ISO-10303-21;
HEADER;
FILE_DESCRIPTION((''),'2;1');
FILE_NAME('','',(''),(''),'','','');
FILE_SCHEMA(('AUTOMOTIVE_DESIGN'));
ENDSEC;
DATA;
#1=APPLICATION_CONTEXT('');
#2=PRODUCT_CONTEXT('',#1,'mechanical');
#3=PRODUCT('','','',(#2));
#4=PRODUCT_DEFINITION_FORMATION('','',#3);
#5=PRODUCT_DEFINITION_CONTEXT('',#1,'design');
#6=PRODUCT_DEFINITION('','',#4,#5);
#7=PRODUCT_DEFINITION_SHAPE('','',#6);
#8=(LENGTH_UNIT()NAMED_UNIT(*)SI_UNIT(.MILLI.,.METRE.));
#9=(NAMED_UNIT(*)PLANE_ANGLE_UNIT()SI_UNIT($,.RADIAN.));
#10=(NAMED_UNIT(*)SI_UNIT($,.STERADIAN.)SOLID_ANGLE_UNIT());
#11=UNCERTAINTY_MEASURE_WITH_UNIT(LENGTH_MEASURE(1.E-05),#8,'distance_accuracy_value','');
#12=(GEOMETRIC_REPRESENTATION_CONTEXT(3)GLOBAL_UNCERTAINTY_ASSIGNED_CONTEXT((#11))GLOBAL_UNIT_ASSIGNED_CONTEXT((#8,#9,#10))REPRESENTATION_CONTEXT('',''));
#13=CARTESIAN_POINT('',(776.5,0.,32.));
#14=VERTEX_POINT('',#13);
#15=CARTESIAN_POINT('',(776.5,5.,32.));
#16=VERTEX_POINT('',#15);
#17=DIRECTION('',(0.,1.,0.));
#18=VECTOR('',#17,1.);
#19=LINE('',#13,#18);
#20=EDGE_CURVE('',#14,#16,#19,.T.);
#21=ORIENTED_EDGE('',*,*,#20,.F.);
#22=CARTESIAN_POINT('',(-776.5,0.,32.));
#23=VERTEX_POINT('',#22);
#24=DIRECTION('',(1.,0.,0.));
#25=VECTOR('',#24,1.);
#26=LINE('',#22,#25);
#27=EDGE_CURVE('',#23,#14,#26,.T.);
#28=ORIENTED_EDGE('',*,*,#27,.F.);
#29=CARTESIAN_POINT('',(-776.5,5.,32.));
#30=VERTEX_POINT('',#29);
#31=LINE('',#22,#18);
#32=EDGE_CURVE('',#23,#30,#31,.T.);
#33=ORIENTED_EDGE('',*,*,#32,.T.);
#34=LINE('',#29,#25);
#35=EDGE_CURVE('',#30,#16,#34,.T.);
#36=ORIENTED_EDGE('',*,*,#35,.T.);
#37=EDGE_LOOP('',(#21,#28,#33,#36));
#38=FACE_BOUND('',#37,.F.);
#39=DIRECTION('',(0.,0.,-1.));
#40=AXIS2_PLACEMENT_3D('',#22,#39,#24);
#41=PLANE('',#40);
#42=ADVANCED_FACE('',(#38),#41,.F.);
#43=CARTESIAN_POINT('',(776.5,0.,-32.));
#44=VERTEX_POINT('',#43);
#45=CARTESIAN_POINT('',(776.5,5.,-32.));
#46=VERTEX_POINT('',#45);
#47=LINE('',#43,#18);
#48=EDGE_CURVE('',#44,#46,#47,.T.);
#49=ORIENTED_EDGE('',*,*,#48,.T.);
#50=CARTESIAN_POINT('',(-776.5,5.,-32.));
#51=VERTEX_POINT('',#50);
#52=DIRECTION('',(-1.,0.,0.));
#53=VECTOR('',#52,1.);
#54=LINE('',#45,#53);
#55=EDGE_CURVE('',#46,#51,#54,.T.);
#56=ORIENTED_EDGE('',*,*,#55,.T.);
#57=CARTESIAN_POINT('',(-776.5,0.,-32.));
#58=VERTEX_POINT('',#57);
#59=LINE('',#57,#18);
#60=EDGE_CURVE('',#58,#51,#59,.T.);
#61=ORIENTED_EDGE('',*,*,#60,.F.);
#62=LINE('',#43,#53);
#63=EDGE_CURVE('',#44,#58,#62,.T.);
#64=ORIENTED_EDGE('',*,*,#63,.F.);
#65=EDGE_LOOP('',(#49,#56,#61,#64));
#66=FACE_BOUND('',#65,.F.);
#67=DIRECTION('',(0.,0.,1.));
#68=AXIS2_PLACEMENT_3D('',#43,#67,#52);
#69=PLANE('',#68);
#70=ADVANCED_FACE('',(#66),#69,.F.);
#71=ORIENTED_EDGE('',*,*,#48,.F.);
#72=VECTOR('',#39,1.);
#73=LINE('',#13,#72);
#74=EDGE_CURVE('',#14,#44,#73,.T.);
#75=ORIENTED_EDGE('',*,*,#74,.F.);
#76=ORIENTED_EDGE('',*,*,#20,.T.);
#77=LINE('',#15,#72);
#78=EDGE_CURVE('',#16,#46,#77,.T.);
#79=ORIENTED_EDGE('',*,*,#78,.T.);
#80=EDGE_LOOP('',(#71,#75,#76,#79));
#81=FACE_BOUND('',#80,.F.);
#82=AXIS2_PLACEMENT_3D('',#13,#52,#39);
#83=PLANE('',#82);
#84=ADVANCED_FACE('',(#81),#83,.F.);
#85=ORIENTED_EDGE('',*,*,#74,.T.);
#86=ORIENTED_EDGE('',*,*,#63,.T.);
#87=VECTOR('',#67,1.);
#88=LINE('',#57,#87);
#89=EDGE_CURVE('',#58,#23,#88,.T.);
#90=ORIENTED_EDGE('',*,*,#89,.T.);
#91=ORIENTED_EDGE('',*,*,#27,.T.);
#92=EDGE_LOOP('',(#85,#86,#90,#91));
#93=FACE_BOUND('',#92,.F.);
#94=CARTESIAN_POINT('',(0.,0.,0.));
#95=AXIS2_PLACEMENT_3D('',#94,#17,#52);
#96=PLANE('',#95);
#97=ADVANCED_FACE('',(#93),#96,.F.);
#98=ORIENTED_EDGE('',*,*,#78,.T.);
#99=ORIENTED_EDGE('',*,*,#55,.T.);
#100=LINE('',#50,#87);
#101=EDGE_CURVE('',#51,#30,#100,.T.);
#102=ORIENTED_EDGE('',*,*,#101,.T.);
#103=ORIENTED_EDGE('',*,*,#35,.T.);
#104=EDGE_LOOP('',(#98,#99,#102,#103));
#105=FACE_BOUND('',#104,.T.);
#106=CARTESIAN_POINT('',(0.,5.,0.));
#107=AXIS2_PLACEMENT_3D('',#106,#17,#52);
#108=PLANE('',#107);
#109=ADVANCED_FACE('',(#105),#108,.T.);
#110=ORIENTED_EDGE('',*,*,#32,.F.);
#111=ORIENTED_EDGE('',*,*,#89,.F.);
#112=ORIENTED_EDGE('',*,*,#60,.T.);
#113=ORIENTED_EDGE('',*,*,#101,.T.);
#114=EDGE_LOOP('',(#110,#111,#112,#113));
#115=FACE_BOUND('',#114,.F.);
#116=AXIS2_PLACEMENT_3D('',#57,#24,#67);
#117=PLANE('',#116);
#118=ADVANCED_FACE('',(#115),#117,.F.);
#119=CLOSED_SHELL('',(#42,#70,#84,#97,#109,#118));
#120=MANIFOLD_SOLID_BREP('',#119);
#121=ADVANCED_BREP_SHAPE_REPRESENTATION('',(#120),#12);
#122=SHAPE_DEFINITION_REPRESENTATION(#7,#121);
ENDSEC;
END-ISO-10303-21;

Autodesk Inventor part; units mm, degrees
ref_plane "YZ Plane" through (0, 0, 0) normal (1, 0, 0) x (0, 1, 0)
ref_plane "XZ Plane" through (0, 0, 0) normal (0, 1, 0) x (-1, 0, 0)
ref_plane "XY Plane" through (0, 0, 0) normal (0, 0, 1) x (1, 0, 0)
sketch "Эскиз1" plane through (0, 0, 0) normal (0, 1, 0) x (-1, 0, 0)
  line L0 (776.5, 32) -> (-776.5, 32)
  line L1 (-776.5, 32) -> (-776.5, -32)
  line L2 (-776.5, -32) -> (776.5, -32)
  line L3 (776.5, -32) -> (776.5, 32)
  line L4 (776.5, 32) -> (-776.5, -32) construction
  line L5 (-776.5, 32) -> (776.5, -32) construction
  point P0 (0, 0)
  dimension "d0" = 1553
  dimension "d1" = 64
extrude "Пластина1" add sketch "Эскиз1" along normal blind 5
equation "\"d2\" = Толщина"
equation "\"Радиус_гибки\" = Толщина"
equation "\"Ширина_просечки\" = Толщина"
equation "\"Глубина_просечки\" = 0.5 * Толщина"
equation "\"Радиус_перехода\" = Радиус_гибки"
equation "\"Радиус_Якоби\" = Радиус_гибки"
equation "\"Размер_зазора\" = Толщина"
equation "\"Толщина\" = 5"
properties part number "GBK bottom 0133" material "Steel"
